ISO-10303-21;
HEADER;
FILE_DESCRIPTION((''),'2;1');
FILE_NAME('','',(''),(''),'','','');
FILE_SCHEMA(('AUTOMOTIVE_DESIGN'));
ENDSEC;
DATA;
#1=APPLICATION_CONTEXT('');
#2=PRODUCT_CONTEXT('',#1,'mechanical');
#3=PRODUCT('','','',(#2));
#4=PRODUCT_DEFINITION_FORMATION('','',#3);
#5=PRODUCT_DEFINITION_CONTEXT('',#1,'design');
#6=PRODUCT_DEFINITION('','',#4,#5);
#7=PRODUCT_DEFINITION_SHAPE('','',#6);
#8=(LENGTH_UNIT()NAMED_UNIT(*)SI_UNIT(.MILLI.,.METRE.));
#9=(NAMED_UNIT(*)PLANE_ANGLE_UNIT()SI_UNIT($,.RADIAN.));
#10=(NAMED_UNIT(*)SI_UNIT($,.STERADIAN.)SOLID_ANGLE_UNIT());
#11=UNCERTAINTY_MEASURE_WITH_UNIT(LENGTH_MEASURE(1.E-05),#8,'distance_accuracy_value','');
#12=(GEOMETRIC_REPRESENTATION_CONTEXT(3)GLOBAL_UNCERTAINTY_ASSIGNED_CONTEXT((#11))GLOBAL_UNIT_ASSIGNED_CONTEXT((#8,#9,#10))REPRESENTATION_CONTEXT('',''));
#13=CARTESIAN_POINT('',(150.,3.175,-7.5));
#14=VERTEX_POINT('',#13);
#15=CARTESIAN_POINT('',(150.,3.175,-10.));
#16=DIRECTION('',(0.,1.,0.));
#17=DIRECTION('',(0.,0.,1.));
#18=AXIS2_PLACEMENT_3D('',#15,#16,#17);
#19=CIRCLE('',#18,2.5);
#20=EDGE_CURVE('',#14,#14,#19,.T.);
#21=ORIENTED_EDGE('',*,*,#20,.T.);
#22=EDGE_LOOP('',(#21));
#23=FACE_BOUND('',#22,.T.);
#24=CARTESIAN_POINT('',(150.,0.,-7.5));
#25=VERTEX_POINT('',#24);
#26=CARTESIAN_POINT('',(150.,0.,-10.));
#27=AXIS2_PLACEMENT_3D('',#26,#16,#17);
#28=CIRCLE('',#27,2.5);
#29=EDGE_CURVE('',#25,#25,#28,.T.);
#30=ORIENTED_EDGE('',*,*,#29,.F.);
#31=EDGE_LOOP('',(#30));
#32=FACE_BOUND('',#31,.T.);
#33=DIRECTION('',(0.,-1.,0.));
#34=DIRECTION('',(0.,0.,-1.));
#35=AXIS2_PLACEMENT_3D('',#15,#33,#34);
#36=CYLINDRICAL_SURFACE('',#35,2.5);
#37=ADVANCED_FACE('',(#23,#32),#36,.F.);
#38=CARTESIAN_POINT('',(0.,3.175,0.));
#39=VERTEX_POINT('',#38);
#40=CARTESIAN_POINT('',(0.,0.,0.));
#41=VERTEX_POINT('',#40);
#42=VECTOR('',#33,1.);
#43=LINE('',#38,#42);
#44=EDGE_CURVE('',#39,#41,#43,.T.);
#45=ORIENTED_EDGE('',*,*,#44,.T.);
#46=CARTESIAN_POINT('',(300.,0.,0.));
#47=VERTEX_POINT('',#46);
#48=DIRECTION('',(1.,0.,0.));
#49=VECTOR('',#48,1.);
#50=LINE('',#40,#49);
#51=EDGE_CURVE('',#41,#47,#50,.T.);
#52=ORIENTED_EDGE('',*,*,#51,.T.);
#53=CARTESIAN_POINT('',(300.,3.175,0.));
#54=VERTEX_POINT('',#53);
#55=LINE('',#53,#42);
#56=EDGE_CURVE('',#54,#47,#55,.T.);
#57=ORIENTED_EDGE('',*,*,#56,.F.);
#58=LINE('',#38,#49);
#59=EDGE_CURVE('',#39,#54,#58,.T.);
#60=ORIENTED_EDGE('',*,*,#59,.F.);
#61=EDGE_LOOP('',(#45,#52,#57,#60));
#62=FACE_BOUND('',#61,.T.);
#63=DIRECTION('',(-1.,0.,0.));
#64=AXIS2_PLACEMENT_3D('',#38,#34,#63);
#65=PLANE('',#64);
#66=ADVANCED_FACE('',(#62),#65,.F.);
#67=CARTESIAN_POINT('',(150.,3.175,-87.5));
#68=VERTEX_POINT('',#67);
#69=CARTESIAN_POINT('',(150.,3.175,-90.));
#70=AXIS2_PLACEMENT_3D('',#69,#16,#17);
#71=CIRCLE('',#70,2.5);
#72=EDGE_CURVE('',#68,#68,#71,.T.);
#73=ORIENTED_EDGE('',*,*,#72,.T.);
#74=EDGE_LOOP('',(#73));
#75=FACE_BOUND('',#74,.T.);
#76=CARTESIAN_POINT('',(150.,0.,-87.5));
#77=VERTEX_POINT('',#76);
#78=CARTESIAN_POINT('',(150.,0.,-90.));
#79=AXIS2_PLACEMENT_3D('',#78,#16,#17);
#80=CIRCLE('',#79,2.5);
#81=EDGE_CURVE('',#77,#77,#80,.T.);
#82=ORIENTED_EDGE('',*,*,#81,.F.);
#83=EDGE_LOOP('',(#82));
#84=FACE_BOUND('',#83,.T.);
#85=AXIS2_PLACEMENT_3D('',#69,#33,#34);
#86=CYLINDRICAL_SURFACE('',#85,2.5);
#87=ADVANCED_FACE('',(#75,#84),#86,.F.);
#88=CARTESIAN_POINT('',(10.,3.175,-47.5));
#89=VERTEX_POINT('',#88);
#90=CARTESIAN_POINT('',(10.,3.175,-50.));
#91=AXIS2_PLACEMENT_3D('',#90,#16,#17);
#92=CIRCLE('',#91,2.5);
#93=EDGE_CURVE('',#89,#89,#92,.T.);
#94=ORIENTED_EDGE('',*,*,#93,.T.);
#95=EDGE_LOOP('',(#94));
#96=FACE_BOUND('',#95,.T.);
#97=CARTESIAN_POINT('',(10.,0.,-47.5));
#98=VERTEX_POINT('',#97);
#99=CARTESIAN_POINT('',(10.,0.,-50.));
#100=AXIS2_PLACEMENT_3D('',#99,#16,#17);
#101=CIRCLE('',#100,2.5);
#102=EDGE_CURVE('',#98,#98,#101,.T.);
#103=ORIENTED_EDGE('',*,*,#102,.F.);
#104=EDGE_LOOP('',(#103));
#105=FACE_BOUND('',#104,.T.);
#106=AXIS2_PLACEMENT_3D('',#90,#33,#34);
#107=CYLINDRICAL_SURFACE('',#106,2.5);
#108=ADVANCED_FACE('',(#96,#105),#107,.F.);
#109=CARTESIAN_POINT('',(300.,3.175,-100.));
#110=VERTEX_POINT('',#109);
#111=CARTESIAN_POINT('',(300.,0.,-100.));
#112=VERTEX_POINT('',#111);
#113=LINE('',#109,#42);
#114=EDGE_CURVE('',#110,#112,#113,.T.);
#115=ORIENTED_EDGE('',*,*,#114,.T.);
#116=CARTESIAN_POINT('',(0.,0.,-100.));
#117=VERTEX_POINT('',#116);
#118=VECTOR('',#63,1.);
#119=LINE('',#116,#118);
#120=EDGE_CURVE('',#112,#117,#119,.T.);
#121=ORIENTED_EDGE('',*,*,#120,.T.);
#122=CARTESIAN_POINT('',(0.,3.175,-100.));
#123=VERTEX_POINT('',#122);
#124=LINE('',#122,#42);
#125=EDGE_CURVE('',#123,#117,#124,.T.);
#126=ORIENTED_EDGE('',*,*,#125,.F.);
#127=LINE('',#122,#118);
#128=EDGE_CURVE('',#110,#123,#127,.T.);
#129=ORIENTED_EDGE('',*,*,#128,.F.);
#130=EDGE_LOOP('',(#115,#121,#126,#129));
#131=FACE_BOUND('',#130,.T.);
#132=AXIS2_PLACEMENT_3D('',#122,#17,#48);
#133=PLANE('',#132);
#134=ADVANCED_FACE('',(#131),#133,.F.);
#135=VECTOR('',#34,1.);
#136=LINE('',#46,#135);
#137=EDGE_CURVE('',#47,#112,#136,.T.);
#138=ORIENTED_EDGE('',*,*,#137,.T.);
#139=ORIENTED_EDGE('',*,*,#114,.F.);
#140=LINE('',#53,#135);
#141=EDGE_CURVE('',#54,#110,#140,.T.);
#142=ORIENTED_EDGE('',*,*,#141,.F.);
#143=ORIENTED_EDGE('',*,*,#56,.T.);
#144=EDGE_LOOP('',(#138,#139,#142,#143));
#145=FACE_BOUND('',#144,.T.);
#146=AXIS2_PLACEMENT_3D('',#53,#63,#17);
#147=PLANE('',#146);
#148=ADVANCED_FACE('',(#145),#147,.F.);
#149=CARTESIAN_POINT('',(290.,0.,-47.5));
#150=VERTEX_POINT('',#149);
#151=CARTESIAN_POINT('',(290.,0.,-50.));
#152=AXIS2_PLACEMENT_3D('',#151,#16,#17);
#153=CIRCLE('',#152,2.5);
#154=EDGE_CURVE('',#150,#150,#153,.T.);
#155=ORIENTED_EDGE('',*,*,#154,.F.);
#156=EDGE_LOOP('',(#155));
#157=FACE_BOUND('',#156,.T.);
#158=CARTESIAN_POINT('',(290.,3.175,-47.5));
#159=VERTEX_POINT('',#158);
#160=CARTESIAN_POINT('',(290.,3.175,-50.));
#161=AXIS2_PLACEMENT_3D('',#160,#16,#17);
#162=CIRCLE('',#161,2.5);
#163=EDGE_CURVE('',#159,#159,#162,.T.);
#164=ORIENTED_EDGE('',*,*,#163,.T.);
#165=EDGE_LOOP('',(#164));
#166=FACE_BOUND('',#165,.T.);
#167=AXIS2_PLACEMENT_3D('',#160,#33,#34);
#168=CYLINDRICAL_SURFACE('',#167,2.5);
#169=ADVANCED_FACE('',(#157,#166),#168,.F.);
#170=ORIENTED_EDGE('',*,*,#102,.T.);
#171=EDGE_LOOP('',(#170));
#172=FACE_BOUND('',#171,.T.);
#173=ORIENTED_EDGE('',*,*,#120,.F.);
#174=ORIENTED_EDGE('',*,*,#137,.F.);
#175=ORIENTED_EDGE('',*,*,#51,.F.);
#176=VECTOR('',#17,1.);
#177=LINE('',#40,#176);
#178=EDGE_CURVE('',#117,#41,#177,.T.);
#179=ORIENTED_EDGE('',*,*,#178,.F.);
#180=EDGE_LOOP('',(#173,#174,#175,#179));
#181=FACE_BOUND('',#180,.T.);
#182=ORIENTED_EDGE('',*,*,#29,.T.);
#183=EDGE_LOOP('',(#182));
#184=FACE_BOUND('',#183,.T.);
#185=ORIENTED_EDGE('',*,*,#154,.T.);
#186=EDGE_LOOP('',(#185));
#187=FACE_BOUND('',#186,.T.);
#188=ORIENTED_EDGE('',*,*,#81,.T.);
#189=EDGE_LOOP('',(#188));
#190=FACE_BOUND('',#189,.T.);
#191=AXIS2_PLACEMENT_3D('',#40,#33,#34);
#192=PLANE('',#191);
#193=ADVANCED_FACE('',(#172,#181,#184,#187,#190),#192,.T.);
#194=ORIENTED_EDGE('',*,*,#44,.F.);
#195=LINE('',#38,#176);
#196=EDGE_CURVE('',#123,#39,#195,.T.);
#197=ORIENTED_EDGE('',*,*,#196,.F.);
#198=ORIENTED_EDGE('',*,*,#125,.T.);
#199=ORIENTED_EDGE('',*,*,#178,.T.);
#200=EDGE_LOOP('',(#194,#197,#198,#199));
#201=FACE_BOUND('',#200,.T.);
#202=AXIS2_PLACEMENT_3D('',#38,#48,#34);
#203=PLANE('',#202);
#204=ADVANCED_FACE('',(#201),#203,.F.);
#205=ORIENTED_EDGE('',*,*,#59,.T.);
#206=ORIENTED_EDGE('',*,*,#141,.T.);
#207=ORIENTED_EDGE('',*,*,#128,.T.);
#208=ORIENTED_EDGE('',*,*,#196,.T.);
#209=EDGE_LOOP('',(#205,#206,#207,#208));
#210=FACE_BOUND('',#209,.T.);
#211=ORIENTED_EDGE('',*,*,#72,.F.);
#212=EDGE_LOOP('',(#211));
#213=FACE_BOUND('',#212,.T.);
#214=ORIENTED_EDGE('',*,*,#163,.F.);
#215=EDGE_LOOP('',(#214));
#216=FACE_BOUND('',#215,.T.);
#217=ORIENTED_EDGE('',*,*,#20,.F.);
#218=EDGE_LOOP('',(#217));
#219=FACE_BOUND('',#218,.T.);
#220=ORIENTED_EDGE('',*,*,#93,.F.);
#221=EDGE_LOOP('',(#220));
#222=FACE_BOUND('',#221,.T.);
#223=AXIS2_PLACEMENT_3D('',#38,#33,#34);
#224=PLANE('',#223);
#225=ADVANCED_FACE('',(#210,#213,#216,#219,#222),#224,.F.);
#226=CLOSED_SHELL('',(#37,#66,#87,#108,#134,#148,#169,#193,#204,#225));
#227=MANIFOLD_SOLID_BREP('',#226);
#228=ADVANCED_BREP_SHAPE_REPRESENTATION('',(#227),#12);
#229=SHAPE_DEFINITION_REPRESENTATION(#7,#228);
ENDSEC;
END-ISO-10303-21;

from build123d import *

# Parameters (mm, degrees)
SKETCH1_W           = 300
SKETCH1_H           = 100
SKETCH1_R           = 2.5
BOSS_EXTRUDE1_DEPTH = 3.175


with BuildPart() as part:
    # Sketch1 → Boss-Extrude1 (new body)
    with BuildSketch(Plane(origin=(0, 0, 0), x_dir=(1, 0, 0), z_dir=(0, 1, 0))):
        with Locations((150, 50)):
            Rectangle(SKETCH1_W, SKETCH1_H)
        with Locations((150, 10)):
            Circle(SKETCH1_R, mode=Mode.SUBTRACT)
        with Locations((10, 50)):
            Circle(SKETCH1_R, mode=Mode.SUBTRACT)
        with Locations((150, 90)):
            Circle(SKETCH1_R, mode=Mode.SUBTRACT)
        with Locations((290, 50)):
            Circle(SKETCH1_R, mode=Mode.SUBTRACT)
    extrude(amount=BOSS_EXTRUDE1_DEPTH)


solid = part.part
